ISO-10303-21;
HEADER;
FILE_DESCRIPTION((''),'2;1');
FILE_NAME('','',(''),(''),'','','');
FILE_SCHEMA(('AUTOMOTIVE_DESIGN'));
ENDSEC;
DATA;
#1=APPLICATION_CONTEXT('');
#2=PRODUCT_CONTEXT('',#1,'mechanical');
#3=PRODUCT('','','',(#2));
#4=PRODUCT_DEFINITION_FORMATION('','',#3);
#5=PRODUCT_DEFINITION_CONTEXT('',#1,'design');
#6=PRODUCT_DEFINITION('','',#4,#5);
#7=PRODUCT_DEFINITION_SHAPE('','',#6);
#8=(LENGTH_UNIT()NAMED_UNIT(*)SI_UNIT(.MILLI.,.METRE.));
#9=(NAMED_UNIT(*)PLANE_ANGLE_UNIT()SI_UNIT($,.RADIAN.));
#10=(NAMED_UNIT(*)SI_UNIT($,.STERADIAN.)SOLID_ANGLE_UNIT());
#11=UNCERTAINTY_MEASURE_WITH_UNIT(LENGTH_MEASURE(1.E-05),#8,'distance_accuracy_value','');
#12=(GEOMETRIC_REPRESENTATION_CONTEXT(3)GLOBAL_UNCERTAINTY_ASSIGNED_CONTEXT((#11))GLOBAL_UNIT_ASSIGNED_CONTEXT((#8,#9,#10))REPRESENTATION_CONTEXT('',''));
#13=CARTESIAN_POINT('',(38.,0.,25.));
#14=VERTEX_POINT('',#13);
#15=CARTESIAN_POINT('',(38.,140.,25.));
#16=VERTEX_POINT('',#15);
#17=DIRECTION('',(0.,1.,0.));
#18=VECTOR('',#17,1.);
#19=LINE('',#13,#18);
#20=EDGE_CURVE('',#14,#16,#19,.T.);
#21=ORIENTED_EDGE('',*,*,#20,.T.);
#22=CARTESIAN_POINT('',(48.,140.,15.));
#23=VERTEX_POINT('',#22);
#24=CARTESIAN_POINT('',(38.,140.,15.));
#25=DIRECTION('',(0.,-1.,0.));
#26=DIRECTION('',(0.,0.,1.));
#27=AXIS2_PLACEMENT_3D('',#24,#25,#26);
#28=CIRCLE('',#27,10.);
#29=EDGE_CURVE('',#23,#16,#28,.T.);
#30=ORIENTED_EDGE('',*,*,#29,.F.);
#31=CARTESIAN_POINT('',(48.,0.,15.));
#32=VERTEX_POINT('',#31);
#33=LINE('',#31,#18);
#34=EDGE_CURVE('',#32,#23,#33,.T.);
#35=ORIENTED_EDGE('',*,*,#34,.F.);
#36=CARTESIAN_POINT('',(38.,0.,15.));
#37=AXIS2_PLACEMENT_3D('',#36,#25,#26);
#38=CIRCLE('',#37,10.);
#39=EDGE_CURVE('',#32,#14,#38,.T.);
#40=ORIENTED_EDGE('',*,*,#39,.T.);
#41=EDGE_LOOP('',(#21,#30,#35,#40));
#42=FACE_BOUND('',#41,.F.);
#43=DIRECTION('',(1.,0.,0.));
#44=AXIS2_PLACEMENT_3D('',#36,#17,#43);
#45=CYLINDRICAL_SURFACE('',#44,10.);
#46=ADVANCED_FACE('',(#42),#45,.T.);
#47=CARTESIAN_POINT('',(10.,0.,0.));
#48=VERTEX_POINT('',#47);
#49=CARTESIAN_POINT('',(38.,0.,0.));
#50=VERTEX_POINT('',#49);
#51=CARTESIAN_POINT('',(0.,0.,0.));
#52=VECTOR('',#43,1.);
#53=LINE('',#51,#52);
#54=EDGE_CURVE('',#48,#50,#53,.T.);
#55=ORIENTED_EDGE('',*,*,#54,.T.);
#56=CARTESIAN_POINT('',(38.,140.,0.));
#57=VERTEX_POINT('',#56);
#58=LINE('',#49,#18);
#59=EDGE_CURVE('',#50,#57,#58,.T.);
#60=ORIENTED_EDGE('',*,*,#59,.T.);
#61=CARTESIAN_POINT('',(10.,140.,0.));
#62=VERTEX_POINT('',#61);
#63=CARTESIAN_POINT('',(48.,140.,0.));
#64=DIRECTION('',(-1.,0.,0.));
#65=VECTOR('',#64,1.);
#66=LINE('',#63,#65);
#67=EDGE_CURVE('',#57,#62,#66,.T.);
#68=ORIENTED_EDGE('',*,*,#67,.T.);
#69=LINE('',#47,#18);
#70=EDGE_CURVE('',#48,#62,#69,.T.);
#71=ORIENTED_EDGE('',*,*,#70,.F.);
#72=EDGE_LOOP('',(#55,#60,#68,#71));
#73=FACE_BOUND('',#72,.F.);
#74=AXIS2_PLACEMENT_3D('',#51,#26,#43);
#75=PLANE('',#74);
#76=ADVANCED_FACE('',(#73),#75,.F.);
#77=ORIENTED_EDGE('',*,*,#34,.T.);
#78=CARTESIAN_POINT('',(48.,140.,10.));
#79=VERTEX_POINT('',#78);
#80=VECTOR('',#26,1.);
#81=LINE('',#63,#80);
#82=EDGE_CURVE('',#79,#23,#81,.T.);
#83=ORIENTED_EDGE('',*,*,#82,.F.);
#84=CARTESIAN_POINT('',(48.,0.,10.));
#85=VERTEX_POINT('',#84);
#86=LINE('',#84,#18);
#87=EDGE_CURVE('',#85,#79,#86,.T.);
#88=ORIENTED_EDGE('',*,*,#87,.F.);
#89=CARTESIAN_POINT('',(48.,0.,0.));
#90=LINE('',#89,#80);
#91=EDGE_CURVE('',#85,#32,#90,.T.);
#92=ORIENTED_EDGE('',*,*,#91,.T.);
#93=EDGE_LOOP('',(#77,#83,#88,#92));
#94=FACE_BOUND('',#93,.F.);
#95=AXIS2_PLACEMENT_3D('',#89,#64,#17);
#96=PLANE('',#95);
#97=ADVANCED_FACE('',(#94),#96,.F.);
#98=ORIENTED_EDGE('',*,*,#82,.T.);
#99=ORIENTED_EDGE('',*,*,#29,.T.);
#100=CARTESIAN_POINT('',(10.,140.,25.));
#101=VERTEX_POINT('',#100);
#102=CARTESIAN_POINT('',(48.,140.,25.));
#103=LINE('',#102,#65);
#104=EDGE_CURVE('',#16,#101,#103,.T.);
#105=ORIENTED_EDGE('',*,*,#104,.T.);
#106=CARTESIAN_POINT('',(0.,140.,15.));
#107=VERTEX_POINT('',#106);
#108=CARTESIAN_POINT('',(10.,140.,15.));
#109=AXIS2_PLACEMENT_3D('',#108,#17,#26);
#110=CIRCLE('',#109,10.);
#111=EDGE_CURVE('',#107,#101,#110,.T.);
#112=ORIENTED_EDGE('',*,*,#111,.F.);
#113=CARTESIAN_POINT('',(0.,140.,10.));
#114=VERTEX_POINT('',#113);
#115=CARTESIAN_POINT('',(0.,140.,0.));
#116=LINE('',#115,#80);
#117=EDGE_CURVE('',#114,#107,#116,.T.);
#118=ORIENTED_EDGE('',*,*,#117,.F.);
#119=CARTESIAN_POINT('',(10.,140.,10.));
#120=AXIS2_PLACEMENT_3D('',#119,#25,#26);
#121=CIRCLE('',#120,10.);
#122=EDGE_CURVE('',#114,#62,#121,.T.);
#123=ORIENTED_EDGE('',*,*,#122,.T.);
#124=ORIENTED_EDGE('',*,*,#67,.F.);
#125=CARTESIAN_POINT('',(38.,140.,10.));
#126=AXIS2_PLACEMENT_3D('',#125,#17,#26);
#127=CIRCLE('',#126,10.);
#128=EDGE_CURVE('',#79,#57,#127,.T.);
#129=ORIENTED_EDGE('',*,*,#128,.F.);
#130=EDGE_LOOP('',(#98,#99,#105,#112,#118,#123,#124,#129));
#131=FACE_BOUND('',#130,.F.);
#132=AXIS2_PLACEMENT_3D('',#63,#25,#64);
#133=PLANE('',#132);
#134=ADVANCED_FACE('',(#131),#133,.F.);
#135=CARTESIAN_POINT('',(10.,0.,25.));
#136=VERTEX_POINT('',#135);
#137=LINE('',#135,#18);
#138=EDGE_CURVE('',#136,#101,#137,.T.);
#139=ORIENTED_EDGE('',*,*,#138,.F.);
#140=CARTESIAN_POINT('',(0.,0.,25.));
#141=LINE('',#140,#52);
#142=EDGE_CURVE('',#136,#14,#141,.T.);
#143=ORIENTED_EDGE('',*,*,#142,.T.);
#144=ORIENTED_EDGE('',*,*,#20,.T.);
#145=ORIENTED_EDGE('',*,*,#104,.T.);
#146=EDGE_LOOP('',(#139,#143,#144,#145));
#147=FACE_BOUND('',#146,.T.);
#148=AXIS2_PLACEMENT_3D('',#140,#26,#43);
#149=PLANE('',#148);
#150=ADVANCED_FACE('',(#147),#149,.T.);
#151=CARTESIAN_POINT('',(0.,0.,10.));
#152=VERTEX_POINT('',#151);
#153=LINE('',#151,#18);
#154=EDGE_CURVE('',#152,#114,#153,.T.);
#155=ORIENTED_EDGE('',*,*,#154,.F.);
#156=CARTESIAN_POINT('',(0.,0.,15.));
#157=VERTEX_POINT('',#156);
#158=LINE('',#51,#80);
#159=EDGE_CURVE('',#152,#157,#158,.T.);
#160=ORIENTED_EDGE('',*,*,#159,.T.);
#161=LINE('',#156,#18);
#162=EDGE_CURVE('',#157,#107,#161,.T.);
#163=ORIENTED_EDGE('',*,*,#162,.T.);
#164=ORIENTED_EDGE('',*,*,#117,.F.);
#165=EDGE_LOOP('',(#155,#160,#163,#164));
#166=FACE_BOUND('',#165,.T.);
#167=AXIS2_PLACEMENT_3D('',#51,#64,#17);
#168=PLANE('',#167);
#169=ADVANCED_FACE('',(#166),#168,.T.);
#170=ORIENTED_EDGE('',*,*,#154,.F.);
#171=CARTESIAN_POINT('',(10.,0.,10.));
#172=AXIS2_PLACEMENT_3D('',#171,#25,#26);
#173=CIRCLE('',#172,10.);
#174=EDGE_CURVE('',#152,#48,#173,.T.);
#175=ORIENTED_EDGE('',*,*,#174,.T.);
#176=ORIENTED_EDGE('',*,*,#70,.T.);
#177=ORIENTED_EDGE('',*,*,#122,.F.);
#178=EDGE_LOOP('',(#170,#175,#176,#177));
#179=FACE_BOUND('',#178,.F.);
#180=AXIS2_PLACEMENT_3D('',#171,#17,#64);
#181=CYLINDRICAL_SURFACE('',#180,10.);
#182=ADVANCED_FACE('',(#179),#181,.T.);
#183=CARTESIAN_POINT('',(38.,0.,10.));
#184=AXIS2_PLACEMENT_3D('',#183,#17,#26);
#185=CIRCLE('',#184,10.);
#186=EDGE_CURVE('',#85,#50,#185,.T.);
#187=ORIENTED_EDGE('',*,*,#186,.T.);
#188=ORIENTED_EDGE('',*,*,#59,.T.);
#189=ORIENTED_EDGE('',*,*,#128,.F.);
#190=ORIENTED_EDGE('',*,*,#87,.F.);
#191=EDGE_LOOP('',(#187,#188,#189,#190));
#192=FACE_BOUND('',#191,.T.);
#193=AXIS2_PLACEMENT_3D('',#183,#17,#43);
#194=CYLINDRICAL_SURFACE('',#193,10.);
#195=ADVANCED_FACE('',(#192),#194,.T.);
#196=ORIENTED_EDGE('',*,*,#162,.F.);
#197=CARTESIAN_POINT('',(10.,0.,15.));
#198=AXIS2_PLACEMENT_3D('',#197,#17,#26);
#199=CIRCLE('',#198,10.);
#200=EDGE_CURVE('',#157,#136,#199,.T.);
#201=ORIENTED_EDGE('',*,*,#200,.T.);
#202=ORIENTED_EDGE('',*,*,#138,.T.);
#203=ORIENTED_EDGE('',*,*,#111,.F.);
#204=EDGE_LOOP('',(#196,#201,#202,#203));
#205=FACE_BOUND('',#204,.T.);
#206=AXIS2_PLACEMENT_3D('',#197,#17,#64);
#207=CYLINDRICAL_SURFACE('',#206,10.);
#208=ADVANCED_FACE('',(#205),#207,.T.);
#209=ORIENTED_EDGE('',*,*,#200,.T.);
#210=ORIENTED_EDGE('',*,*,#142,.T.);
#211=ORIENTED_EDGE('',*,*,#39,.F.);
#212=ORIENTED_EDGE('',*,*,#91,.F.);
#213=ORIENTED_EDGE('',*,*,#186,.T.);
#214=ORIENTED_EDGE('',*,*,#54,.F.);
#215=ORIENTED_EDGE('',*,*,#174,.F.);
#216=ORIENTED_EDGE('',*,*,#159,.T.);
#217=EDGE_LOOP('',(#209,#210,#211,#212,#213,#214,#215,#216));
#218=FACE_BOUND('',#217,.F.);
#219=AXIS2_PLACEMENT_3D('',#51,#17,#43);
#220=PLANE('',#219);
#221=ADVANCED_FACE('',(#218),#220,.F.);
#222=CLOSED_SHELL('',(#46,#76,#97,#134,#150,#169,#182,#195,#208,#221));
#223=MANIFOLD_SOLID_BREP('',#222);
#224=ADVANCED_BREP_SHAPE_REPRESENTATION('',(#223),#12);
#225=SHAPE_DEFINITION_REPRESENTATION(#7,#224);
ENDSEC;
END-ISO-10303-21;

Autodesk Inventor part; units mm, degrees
ref_plane "YZ Plane" through (0, 0, 0) normal (1, 0, 0) x (0, 1, 0)
ref_plane "XZ Plane" through (0, 0, 0) normal (0, 1, 0) x (-1, 0, 0)
ref_plane "XY Plane" through (0, 0, 0) normal (0, 0, 1) x (1, 0, 0)
sketch "スケッチ1" plane through (0, 0, 0) normal (0, 0, 1) x (1, 0, 0)
  line L0 (0, 0) -> (0, 140)
  line L1 (0, 140) -> (0, 0)
  line L2 (0, 0) -> (48, 0)
  line L3 (48, 0) -> (48, 140)
  line L4 (48, 140) -> (0, 140)
  dimension "d0" = 140
  dimension "d1" = 48
extrude "押し出し1" add sketch "スケッチ1" along normal blind 25
fillet "フィレット1" radius 10 4 edges at (48, 70, 25) (48, 70, 0) (0, 70, 25) (0, 70, 0)
properties part number "バッテリー"
